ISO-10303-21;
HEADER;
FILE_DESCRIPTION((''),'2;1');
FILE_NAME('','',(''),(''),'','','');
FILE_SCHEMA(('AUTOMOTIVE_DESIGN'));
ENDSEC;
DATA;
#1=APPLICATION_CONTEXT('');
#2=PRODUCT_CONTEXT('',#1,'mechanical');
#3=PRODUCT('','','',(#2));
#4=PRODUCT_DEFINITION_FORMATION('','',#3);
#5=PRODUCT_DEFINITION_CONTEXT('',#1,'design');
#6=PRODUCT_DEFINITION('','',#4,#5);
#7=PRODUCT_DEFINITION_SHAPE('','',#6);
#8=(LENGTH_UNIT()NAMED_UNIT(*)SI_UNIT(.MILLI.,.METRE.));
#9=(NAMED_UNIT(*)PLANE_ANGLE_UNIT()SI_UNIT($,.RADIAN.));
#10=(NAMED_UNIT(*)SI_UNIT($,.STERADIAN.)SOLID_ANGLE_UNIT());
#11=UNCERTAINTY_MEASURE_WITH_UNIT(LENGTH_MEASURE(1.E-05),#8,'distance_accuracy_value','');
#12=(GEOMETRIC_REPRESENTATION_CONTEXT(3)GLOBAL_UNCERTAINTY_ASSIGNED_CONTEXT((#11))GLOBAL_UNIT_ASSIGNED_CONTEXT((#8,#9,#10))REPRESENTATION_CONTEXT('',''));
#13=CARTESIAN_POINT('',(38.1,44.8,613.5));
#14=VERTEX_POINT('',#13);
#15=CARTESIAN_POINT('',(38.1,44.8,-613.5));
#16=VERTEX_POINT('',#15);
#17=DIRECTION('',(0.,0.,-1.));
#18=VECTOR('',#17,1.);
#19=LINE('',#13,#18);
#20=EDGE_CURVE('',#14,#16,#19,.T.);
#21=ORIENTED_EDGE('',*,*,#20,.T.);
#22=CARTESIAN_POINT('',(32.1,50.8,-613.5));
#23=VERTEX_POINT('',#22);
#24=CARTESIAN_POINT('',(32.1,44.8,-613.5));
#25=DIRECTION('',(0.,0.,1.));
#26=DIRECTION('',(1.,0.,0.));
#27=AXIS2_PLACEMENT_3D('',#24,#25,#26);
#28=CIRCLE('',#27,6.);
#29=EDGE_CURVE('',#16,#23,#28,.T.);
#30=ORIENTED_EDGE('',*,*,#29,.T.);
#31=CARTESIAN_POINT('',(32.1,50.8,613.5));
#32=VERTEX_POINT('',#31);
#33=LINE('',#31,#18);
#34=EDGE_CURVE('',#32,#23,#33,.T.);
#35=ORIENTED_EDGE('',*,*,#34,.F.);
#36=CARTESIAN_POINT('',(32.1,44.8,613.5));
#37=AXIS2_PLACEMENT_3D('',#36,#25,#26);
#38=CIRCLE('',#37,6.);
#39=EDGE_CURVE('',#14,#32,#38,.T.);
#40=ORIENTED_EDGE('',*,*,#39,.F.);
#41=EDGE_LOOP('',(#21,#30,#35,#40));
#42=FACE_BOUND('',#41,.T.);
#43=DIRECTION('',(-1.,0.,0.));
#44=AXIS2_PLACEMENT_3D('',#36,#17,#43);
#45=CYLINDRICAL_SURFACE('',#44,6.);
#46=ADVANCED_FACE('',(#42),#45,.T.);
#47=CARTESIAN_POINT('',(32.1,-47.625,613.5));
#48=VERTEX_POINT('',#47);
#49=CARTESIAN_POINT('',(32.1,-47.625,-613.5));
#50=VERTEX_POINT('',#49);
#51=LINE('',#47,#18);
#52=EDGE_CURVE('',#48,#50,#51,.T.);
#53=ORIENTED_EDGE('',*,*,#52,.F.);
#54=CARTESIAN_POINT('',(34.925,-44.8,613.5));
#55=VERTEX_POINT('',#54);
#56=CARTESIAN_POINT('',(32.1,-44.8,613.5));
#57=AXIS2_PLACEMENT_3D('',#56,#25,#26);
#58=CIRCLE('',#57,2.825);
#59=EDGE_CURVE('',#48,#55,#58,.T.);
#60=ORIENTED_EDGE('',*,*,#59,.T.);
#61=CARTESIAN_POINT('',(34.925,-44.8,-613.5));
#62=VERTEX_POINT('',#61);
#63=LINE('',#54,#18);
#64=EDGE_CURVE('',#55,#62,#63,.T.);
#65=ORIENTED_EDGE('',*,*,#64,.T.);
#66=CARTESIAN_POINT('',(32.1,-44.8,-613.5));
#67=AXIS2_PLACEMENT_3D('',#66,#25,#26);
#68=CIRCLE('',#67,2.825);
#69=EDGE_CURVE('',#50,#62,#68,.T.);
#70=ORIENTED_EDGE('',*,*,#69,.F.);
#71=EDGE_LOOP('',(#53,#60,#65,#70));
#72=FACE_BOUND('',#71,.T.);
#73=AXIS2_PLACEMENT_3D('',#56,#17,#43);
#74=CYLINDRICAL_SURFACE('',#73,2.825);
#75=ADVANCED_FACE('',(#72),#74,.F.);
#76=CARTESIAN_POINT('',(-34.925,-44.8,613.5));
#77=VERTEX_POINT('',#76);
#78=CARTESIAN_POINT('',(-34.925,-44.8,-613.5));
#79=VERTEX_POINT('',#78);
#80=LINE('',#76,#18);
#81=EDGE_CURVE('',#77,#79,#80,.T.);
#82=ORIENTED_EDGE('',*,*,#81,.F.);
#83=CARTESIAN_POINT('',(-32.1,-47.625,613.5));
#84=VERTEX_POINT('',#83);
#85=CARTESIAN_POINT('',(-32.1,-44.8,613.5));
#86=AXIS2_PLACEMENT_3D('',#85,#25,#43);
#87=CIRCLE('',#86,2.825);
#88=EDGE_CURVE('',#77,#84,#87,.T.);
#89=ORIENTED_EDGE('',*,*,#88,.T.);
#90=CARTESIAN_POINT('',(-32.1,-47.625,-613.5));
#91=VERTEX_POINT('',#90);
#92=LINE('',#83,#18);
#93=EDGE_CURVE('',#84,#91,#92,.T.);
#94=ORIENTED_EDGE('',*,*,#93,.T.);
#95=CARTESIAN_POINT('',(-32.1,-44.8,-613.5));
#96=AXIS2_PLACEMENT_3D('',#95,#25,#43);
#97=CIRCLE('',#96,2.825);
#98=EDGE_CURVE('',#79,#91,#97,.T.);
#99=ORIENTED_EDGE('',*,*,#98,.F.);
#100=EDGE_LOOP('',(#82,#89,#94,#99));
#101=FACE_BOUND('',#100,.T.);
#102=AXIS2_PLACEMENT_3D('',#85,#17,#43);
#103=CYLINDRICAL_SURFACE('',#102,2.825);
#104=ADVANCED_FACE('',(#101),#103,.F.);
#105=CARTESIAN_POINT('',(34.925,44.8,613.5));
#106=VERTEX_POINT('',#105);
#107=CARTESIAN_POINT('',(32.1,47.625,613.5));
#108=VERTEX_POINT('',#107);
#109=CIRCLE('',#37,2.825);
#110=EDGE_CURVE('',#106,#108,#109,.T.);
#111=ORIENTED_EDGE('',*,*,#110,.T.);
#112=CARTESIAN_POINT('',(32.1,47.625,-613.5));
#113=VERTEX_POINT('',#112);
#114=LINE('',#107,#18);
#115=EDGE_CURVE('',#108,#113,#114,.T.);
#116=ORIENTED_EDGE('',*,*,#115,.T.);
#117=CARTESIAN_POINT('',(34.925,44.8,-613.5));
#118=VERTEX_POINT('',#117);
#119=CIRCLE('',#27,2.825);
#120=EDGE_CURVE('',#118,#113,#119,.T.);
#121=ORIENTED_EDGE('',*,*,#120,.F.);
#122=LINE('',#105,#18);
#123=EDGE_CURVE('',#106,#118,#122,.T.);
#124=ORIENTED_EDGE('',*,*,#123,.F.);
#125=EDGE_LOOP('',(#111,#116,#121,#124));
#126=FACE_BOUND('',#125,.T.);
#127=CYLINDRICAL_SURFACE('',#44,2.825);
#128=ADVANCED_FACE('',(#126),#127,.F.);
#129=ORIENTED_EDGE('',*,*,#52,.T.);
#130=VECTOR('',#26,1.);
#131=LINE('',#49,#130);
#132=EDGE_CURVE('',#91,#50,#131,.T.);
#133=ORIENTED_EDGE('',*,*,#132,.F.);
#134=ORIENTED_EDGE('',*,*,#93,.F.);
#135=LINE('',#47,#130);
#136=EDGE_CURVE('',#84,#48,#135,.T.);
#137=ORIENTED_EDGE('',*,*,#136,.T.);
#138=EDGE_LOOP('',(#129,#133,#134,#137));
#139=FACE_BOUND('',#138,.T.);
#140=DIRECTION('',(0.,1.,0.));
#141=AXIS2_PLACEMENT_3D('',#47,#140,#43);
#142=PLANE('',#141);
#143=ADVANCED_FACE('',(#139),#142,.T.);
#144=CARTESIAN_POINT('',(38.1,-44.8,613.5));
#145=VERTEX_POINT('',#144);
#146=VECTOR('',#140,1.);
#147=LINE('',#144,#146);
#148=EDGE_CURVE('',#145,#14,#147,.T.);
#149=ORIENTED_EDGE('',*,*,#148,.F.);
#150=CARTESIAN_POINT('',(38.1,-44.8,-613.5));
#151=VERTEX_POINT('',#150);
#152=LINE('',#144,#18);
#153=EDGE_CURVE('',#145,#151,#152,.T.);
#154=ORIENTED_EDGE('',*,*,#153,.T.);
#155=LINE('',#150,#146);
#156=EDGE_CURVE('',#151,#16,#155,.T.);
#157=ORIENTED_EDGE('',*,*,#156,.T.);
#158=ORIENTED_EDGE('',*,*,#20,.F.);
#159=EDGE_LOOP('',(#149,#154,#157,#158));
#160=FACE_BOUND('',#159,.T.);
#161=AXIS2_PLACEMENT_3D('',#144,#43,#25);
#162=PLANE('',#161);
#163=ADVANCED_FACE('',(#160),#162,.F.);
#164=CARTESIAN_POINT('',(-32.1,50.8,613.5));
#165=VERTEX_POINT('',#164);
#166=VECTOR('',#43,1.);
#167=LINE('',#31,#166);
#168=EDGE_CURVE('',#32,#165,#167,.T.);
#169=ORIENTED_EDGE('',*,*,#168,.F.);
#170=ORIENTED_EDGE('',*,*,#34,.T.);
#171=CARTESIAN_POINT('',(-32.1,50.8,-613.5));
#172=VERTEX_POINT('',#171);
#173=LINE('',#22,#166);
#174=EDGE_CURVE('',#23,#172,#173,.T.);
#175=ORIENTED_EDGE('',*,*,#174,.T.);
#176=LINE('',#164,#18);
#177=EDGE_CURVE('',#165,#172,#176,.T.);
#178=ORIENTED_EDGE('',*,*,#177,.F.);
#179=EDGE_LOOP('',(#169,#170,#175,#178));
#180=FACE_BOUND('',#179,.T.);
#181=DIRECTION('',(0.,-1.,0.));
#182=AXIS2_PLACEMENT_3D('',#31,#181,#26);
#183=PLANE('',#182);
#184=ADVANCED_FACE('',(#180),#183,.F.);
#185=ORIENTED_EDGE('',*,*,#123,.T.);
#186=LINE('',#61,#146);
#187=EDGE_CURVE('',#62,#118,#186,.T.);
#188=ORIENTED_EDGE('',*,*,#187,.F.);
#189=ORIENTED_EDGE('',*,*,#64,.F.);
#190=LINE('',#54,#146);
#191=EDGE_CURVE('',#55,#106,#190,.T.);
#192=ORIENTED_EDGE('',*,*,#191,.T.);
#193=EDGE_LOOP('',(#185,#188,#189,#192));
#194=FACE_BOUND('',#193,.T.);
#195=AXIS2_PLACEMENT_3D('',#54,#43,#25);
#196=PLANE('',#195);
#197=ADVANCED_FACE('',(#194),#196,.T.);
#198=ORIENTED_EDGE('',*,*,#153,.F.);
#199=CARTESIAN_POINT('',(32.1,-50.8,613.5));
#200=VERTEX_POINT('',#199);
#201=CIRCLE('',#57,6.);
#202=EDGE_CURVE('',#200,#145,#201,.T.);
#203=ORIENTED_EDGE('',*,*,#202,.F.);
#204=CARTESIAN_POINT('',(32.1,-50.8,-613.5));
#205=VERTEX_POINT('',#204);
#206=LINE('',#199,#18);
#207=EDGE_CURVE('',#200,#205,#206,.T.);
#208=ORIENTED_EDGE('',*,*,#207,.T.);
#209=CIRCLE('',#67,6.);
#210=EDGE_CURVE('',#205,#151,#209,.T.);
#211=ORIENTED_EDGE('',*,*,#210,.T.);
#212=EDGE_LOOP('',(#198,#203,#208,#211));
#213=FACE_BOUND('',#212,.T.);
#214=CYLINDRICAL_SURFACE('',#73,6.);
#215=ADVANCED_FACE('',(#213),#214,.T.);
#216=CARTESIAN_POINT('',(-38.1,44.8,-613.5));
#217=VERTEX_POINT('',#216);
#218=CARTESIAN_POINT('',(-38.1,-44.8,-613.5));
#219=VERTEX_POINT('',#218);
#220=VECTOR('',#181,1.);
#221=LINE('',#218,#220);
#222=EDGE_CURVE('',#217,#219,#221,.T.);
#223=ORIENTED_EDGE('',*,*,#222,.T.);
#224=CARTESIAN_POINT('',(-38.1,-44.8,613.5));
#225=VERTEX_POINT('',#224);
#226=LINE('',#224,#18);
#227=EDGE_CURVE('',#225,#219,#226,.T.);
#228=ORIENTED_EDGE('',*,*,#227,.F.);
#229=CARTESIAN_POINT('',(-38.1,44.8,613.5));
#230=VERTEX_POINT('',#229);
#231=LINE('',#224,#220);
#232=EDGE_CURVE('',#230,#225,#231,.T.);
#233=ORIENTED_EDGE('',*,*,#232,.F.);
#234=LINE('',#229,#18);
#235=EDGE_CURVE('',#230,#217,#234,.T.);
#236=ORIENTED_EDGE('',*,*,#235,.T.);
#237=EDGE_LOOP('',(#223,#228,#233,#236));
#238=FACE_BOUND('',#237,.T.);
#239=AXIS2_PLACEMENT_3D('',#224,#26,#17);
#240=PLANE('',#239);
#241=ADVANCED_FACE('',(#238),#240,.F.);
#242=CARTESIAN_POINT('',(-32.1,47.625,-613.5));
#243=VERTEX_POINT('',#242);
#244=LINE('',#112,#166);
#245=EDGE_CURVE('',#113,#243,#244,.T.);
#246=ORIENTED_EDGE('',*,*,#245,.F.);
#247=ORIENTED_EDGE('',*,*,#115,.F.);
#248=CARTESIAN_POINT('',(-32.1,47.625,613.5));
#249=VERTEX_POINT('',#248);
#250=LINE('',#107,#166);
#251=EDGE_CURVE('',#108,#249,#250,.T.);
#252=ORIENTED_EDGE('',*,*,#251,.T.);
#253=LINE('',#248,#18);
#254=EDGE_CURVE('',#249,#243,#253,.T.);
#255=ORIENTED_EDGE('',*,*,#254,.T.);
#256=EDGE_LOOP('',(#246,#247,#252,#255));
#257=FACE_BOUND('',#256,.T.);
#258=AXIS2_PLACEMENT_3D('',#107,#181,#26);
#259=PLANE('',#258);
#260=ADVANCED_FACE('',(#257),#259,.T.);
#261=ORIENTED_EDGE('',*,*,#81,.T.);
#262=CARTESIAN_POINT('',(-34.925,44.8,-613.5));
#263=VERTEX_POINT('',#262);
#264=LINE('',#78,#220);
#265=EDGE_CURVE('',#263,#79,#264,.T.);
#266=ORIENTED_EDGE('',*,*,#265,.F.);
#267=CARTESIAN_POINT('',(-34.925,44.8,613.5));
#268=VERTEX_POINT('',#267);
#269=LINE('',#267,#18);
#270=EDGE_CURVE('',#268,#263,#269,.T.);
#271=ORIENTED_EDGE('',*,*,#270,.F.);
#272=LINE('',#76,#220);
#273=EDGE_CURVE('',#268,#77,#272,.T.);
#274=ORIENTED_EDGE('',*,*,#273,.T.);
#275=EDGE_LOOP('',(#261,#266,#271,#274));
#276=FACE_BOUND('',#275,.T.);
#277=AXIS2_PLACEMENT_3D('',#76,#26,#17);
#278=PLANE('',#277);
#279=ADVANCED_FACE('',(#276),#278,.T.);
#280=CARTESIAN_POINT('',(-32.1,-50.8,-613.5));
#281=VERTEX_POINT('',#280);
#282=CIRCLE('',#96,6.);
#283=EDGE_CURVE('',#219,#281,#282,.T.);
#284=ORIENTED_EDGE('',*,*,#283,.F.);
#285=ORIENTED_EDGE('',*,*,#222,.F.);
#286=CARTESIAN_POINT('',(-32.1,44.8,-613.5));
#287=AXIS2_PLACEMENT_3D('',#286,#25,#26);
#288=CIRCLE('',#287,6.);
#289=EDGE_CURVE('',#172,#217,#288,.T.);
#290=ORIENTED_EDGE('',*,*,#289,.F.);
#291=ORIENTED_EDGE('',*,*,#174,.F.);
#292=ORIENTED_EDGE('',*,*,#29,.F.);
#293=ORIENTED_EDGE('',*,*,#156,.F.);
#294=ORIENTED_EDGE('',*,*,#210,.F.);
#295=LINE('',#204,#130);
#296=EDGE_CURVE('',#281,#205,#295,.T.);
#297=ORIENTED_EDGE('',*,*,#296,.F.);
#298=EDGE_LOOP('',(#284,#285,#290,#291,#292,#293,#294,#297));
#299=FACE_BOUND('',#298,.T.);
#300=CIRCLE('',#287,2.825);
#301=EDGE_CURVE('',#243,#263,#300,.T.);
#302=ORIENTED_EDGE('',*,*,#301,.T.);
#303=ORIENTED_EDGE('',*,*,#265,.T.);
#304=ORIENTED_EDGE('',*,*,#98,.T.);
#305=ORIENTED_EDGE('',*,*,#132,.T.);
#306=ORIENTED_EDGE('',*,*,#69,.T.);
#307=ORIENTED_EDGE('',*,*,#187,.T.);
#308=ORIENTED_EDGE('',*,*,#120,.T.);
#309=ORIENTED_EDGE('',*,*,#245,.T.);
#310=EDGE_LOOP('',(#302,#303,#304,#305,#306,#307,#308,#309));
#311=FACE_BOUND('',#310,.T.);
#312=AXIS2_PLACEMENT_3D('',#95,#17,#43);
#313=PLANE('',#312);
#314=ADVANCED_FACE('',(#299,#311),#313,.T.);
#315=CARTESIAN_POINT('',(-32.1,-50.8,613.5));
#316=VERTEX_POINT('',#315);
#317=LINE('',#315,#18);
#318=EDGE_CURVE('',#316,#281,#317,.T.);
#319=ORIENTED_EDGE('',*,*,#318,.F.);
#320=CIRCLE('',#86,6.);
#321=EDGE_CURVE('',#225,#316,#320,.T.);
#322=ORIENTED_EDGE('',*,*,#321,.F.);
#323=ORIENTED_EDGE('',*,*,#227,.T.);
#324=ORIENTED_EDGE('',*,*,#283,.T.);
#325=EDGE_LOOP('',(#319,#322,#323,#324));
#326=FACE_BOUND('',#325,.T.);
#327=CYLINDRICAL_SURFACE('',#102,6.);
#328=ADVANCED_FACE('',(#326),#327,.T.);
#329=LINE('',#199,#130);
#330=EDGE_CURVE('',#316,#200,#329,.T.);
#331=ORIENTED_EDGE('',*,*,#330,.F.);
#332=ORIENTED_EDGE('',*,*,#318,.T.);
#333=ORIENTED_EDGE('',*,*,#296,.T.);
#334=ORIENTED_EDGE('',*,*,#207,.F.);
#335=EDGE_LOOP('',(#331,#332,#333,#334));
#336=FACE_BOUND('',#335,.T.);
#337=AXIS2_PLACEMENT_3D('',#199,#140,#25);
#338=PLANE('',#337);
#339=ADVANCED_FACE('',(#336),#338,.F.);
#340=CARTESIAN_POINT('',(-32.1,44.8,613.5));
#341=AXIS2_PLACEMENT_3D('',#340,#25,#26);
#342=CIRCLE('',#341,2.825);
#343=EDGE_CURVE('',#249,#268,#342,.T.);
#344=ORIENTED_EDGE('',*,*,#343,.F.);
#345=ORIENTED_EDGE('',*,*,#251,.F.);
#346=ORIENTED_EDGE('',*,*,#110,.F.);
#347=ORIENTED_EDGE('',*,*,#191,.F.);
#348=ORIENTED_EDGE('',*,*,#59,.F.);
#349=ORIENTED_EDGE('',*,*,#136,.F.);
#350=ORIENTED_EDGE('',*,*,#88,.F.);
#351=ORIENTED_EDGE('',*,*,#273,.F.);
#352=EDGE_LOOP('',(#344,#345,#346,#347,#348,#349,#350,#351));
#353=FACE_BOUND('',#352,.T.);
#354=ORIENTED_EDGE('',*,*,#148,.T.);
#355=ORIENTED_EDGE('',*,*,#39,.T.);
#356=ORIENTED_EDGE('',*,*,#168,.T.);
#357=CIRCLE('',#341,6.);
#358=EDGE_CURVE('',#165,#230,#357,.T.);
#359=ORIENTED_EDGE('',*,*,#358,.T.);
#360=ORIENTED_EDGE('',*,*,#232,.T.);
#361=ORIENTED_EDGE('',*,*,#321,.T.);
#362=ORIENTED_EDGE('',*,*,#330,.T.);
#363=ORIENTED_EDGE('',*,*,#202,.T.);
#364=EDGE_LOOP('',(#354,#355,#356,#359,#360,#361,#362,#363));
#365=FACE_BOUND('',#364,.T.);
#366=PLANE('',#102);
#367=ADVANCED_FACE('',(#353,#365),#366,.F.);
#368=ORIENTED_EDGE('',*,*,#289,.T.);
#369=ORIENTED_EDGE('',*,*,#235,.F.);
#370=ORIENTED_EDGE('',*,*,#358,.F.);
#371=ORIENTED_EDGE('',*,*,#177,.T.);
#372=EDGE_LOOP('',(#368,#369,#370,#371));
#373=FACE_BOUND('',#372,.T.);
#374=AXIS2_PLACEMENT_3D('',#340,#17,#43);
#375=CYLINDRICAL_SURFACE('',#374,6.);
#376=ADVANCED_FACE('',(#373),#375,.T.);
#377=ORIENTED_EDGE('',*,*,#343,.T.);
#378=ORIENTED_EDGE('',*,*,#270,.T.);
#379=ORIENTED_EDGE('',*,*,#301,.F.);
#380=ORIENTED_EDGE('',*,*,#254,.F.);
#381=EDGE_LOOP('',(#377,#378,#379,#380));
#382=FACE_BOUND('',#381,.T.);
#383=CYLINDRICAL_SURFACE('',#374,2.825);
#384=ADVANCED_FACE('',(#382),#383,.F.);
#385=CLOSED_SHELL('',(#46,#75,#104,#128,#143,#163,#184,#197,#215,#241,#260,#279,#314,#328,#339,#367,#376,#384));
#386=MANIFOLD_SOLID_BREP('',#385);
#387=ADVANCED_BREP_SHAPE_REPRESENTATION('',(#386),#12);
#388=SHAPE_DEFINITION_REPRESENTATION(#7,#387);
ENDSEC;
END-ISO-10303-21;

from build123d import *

# Parameters (mm, degrees)
BOSS_EXTRUDE1_DEPTH = 613.5


with BuildPart() as part:
    # Sketch1 → Boss-Extrude1 (new, symmetric)
    with BuildSketch(Plane.XY):
        with BuildLine():
            Line((32.1, -50.8), (-32.1, -50.8))
            ThreePointArc((-32.1, -50.8), (-36.342640687, -49.042640687), (-38.1, -44.8))
            Line((-38.1, -44.8), (-38.1, 44.8))
            ThreePointArc((-38.1, 44.8), (-36.342640687, 49.042640687), (-32.1, 50.8))
            Line((-32.1, 50.8), (32.1, 50.8))
            ThreePointArc((32.1, 50.8), (36.342640687, 49.042640687), (38.1, 44.8))
            Line((38.1, 44.8), (38.1, -44.8))
            ThreePointArc((38.1, -44.8), (36.342640687, -49.042640687), (32.1, -50.8))
        make_face()
        with BuildLine():
            Line((32.1, 47.625), (-32.1, 47.625))
            ThreePointArc((-32.1, 47.625), (-34.097576657, 46.797576657), (-34.925, 44.8))
            Line((-34.925, 44.8), (-34.925, -44.8))
            ThreePointArc((-34.925, -44.8), (-34.097576657, -46.797576657), (-32.1, -47.625))
            Line((-32.1, -47.625), (32.1, -47.625))
            ThreePointArc((32.1, -47.625), (34.097576657, -46.797576657), (34.925, -44.8))
            Line((34.925, -44.8), (34.925, 44.8))
            ThreePointArc((34.925, 44.8), (34.097576657, 46.797576657), (32.1, 47.625))
        make_face(mode=Mode.SUBTRACT)
    extrude(amount=BOSS_EXTRUDE1_DEPTH, both=True)


solid = part.part
